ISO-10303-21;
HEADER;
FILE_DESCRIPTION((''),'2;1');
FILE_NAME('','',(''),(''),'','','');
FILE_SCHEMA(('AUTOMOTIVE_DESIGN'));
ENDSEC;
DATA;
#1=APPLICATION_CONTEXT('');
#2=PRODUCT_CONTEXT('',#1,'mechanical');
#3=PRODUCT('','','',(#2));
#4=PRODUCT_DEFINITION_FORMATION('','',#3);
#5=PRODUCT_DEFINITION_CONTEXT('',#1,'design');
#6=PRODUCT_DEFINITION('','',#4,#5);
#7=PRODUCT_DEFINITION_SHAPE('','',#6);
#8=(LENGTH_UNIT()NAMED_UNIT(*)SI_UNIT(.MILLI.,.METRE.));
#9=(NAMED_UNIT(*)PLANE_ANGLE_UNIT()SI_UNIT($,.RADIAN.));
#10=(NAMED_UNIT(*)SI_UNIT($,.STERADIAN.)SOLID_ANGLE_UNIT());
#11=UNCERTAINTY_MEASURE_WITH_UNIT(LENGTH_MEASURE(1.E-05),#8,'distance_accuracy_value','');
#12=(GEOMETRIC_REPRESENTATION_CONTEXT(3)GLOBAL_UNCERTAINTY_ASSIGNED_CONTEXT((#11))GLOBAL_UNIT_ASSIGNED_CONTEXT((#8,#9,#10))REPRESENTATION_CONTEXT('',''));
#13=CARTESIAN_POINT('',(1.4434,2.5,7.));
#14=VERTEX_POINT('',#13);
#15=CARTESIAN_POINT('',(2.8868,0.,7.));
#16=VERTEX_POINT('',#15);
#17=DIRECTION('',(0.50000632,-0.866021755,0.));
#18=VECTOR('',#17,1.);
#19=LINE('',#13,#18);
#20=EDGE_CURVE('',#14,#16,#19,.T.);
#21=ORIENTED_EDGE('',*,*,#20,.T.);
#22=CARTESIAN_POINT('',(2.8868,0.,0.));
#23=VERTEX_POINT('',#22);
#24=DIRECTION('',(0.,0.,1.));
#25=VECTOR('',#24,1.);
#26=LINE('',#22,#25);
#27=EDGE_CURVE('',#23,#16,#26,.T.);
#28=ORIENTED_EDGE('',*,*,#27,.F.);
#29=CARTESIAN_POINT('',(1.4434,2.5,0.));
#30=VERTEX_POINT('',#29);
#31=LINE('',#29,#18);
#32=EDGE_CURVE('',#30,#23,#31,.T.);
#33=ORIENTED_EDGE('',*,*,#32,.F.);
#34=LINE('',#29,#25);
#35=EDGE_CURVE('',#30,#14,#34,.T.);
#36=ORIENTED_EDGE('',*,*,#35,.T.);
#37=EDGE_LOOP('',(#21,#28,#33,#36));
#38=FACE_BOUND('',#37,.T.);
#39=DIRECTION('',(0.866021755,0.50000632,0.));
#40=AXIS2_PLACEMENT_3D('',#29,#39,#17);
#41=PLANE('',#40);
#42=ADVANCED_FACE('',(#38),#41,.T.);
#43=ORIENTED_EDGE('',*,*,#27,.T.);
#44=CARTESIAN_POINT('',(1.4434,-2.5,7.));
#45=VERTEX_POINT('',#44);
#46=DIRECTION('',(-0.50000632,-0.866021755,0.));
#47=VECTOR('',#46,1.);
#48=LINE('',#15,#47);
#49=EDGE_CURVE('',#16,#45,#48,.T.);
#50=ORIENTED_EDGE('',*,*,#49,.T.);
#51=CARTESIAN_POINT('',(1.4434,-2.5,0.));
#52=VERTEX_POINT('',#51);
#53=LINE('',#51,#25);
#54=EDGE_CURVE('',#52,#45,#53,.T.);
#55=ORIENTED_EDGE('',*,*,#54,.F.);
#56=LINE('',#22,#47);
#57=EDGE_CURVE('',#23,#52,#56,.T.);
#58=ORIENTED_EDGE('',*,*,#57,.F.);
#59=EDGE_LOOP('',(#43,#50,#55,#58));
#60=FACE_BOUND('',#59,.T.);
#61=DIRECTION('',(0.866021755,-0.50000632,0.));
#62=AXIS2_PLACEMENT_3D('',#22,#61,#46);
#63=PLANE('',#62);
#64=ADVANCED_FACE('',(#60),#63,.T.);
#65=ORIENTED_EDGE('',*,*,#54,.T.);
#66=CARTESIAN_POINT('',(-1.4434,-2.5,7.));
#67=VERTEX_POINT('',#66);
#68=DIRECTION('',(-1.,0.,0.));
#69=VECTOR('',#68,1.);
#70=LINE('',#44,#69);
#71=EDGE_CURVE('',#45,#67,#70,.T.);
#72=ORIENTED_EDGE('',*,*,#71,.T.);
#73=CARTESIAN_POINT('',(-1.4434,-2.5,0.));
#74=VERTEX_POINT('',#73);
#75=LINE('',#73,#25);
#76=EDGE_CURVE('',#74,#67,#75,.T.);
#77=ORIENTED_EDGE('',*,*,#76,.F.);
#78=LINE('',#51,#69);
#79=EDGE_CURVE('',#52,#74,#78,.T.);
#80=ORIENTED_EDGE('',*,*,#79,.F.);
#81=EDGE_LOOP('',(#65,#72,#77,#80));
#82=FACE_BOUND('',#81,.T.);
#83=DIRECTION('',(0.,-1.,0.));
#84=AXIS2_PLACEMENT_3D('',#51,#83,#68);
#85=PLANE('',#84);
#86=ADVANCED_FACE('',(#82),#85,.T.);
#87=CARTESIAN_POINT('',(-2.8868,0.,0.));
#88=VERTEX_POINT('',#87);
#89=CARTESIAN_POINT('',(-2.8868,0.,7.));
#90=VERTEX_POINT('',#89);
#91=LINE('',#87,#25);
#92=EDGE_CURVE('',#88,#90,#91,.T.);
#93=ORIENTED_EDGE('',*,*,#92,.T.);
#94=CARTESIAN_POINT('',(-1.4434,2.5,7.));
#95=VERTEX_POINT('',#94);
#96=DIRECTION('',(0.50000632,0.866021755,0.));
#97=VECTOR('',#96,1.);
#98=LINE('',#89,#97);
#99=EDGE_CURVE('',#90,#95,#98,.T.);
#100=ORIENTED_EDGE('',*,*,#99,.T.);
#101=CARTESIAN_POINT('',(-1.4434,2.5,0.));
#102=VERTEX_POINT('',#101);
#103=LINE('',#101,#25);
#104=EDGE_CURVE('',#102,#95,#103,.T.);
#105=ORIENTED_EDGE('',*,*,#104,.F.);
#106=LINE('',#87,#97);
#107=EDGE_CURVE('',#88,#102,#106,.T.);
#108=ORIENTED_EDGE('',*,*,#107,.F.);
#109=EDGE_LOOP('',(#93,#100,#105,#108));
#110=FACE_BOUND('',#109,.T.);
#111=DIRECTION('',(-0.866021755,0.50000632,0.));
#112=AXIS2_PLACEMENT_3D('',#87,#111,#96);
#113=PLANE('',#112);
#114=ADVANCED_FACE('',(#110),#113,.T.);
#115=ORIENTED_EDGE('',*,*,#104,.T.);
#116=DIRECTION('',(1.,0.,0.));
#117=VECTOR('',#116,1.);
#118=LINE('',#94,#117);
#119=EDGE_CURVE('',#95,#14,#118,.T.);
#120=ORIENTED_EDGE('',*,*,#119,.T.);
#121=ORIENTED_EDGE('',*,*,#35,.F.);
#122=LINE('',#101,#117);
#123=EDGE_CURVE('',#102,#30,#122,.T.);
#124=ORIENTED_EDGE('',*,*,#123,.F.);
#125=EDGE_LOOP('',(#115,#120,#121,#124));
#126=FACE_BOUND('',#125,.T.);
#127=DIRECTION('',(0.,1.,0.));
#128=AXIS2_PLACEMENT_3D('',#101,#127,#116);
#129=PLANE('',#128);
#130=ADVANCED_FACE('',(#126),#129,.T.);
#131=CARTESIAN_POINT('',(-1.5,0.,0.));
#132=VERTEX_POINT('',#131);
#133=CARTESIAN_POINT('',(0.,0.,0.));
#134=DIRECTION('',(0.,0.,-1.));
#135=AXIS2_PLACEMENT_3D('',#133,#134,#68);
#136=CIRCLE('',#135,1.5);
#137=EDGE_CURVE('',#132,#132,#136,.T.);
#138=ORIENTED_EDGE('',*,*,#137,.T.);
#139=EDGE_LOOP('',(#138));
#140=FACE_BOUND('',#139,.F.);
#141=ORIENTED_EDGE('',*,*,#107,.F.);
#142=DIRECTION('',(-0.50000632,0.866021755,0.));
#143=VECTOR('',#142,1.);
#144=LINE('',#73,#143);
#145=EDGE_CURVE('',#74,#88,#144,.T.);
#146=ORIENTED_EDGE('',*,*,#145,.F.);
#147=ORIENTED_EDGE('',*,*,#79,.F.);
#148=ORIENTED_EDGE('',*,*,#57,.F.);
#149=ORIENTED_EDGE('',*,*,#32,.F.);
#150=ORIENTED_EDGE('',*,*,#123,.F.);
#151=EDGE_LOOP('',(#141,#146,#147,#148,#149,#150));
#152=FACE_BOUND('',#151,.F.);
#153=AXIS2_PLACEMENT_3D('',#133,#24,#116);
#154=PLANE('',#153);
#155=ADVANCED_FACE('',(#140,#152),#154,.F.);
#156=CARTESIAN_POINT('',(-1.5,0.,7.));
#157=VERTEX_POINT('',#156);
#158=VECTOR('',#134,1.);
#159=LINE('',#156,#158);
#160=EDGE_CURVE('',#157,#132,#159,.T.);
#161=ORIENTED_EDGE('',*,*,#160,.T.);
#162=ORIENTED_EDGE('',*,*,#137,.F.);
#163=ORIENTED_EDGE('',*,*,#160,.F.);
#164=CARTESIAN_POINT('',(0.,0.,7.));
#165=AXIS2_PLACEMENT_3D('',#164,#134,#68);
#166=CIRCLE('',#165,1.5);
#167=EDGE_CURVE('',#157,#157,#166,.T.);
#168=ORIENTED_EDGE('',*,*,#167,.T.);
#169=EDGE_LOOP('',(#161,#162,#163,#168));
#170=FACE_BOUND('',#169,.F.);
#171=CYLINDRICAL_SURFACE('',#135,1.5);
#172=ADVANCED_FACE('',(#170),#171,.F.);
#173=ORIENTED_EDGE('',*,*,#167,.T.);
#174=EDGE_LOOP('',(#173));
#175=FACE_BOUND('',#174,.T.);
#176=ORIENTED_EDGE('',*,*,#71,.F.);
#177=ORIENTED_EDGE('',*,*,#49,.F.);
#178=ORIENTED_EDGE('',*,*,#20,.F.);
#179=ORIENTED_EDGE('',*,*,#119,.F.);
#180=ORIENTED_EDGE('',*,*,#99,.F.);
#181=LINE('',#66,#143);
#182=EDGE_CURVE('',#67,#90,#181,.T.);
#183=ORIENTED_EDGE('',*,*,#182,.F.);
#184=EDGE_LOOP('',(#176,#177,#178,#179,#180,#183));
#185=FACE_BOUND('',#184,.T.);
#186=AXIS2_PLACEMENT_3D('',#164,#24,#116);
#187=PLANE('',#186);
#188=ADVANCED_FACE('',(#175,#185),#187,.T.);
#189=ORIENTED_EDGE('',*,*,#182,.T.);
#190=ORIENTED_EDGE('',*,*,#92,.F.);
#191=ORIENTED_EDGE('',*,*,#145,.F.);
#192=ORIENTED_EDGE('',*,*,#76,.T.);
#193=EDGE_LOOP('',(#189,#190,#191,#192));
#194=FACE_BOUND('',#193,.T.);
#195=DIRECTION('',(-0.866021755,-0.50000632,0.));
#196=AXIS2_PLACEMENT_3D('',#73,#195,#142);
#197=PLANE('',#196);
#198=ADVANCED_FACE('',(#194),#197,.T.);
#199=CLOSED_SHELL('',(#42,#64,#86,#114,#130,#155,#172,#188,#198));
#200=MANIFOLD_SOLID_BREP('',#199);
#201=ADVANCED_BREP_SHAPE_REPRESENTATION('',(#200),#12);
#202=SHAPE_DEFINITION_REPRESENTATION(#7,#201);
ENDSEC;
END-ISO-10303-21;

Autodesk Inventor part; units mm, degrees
ref_plane "YZ Plane" through (0, 0, 0) normal (1, 0, 0) x (0, 1, 0)
ref_plane "XZ Plane" through (0, 0, 0) normal (0, 1, 0) x (-1, 0, 0)
ref_plane "XY Plane" through (0, 0, 0) normal (0, 0, 1) x (1, 0, 0)
sketch "Sketch1" plane through (0, 0, 0) normal (0, 0, 1) x (1, 0, 0)
  line L0 (2.8868, 0) -> (1.4434, -2.5)
  line L1 (1.4434, -2.5) -> (-1.4434, -2.5)
  line L2 (-1.4434, -2.5) -> (-2.8868, 0)
  line L3 (-2.8868, 0) -> (-1.4434, 2.5)
  line L4 (-1.4434, 2.5) -> (1.4434, 2.5)
  line L5 (1.4434, 2.5) -> (2.8868, 0)
  point P0 (0, 0)
  point P1 (0, 0)
  dimension "d0" = 5
extrude "Extrusion1" add sketch "Sketch1" along normal blind 7
sketch "Sketch2" plane through (0, 0, 7) normal (0, 0, 1) x (1, 0, 0)
  circle A0 centre (0, 0) radius 1.5
  dimension "d3" = 3
extrude "Extrusion2" add sketch "Sketch2" along normal blind 8
sketch "Sketch3" plane through (0, 0, 0) normal (0, 0, -1) x (-1, 0, 0)
  circle A0 centre (0, 0) radius 1.5
  dimension "d6" = 3
extrude "Extrusion3" cut sketch "Sketch3" against normal blind 4
sketch "Sketch4" plane through (0, 0, 4) normal (0, 0, -1) x (-1, 0, 0)
  circle A0 centre (0, 0) radius 1.5 projected
extrude "Extrusion4" cut sketch "Sketch4" against normal through all
properties part number "Spacer7mm_m3_970070321"
